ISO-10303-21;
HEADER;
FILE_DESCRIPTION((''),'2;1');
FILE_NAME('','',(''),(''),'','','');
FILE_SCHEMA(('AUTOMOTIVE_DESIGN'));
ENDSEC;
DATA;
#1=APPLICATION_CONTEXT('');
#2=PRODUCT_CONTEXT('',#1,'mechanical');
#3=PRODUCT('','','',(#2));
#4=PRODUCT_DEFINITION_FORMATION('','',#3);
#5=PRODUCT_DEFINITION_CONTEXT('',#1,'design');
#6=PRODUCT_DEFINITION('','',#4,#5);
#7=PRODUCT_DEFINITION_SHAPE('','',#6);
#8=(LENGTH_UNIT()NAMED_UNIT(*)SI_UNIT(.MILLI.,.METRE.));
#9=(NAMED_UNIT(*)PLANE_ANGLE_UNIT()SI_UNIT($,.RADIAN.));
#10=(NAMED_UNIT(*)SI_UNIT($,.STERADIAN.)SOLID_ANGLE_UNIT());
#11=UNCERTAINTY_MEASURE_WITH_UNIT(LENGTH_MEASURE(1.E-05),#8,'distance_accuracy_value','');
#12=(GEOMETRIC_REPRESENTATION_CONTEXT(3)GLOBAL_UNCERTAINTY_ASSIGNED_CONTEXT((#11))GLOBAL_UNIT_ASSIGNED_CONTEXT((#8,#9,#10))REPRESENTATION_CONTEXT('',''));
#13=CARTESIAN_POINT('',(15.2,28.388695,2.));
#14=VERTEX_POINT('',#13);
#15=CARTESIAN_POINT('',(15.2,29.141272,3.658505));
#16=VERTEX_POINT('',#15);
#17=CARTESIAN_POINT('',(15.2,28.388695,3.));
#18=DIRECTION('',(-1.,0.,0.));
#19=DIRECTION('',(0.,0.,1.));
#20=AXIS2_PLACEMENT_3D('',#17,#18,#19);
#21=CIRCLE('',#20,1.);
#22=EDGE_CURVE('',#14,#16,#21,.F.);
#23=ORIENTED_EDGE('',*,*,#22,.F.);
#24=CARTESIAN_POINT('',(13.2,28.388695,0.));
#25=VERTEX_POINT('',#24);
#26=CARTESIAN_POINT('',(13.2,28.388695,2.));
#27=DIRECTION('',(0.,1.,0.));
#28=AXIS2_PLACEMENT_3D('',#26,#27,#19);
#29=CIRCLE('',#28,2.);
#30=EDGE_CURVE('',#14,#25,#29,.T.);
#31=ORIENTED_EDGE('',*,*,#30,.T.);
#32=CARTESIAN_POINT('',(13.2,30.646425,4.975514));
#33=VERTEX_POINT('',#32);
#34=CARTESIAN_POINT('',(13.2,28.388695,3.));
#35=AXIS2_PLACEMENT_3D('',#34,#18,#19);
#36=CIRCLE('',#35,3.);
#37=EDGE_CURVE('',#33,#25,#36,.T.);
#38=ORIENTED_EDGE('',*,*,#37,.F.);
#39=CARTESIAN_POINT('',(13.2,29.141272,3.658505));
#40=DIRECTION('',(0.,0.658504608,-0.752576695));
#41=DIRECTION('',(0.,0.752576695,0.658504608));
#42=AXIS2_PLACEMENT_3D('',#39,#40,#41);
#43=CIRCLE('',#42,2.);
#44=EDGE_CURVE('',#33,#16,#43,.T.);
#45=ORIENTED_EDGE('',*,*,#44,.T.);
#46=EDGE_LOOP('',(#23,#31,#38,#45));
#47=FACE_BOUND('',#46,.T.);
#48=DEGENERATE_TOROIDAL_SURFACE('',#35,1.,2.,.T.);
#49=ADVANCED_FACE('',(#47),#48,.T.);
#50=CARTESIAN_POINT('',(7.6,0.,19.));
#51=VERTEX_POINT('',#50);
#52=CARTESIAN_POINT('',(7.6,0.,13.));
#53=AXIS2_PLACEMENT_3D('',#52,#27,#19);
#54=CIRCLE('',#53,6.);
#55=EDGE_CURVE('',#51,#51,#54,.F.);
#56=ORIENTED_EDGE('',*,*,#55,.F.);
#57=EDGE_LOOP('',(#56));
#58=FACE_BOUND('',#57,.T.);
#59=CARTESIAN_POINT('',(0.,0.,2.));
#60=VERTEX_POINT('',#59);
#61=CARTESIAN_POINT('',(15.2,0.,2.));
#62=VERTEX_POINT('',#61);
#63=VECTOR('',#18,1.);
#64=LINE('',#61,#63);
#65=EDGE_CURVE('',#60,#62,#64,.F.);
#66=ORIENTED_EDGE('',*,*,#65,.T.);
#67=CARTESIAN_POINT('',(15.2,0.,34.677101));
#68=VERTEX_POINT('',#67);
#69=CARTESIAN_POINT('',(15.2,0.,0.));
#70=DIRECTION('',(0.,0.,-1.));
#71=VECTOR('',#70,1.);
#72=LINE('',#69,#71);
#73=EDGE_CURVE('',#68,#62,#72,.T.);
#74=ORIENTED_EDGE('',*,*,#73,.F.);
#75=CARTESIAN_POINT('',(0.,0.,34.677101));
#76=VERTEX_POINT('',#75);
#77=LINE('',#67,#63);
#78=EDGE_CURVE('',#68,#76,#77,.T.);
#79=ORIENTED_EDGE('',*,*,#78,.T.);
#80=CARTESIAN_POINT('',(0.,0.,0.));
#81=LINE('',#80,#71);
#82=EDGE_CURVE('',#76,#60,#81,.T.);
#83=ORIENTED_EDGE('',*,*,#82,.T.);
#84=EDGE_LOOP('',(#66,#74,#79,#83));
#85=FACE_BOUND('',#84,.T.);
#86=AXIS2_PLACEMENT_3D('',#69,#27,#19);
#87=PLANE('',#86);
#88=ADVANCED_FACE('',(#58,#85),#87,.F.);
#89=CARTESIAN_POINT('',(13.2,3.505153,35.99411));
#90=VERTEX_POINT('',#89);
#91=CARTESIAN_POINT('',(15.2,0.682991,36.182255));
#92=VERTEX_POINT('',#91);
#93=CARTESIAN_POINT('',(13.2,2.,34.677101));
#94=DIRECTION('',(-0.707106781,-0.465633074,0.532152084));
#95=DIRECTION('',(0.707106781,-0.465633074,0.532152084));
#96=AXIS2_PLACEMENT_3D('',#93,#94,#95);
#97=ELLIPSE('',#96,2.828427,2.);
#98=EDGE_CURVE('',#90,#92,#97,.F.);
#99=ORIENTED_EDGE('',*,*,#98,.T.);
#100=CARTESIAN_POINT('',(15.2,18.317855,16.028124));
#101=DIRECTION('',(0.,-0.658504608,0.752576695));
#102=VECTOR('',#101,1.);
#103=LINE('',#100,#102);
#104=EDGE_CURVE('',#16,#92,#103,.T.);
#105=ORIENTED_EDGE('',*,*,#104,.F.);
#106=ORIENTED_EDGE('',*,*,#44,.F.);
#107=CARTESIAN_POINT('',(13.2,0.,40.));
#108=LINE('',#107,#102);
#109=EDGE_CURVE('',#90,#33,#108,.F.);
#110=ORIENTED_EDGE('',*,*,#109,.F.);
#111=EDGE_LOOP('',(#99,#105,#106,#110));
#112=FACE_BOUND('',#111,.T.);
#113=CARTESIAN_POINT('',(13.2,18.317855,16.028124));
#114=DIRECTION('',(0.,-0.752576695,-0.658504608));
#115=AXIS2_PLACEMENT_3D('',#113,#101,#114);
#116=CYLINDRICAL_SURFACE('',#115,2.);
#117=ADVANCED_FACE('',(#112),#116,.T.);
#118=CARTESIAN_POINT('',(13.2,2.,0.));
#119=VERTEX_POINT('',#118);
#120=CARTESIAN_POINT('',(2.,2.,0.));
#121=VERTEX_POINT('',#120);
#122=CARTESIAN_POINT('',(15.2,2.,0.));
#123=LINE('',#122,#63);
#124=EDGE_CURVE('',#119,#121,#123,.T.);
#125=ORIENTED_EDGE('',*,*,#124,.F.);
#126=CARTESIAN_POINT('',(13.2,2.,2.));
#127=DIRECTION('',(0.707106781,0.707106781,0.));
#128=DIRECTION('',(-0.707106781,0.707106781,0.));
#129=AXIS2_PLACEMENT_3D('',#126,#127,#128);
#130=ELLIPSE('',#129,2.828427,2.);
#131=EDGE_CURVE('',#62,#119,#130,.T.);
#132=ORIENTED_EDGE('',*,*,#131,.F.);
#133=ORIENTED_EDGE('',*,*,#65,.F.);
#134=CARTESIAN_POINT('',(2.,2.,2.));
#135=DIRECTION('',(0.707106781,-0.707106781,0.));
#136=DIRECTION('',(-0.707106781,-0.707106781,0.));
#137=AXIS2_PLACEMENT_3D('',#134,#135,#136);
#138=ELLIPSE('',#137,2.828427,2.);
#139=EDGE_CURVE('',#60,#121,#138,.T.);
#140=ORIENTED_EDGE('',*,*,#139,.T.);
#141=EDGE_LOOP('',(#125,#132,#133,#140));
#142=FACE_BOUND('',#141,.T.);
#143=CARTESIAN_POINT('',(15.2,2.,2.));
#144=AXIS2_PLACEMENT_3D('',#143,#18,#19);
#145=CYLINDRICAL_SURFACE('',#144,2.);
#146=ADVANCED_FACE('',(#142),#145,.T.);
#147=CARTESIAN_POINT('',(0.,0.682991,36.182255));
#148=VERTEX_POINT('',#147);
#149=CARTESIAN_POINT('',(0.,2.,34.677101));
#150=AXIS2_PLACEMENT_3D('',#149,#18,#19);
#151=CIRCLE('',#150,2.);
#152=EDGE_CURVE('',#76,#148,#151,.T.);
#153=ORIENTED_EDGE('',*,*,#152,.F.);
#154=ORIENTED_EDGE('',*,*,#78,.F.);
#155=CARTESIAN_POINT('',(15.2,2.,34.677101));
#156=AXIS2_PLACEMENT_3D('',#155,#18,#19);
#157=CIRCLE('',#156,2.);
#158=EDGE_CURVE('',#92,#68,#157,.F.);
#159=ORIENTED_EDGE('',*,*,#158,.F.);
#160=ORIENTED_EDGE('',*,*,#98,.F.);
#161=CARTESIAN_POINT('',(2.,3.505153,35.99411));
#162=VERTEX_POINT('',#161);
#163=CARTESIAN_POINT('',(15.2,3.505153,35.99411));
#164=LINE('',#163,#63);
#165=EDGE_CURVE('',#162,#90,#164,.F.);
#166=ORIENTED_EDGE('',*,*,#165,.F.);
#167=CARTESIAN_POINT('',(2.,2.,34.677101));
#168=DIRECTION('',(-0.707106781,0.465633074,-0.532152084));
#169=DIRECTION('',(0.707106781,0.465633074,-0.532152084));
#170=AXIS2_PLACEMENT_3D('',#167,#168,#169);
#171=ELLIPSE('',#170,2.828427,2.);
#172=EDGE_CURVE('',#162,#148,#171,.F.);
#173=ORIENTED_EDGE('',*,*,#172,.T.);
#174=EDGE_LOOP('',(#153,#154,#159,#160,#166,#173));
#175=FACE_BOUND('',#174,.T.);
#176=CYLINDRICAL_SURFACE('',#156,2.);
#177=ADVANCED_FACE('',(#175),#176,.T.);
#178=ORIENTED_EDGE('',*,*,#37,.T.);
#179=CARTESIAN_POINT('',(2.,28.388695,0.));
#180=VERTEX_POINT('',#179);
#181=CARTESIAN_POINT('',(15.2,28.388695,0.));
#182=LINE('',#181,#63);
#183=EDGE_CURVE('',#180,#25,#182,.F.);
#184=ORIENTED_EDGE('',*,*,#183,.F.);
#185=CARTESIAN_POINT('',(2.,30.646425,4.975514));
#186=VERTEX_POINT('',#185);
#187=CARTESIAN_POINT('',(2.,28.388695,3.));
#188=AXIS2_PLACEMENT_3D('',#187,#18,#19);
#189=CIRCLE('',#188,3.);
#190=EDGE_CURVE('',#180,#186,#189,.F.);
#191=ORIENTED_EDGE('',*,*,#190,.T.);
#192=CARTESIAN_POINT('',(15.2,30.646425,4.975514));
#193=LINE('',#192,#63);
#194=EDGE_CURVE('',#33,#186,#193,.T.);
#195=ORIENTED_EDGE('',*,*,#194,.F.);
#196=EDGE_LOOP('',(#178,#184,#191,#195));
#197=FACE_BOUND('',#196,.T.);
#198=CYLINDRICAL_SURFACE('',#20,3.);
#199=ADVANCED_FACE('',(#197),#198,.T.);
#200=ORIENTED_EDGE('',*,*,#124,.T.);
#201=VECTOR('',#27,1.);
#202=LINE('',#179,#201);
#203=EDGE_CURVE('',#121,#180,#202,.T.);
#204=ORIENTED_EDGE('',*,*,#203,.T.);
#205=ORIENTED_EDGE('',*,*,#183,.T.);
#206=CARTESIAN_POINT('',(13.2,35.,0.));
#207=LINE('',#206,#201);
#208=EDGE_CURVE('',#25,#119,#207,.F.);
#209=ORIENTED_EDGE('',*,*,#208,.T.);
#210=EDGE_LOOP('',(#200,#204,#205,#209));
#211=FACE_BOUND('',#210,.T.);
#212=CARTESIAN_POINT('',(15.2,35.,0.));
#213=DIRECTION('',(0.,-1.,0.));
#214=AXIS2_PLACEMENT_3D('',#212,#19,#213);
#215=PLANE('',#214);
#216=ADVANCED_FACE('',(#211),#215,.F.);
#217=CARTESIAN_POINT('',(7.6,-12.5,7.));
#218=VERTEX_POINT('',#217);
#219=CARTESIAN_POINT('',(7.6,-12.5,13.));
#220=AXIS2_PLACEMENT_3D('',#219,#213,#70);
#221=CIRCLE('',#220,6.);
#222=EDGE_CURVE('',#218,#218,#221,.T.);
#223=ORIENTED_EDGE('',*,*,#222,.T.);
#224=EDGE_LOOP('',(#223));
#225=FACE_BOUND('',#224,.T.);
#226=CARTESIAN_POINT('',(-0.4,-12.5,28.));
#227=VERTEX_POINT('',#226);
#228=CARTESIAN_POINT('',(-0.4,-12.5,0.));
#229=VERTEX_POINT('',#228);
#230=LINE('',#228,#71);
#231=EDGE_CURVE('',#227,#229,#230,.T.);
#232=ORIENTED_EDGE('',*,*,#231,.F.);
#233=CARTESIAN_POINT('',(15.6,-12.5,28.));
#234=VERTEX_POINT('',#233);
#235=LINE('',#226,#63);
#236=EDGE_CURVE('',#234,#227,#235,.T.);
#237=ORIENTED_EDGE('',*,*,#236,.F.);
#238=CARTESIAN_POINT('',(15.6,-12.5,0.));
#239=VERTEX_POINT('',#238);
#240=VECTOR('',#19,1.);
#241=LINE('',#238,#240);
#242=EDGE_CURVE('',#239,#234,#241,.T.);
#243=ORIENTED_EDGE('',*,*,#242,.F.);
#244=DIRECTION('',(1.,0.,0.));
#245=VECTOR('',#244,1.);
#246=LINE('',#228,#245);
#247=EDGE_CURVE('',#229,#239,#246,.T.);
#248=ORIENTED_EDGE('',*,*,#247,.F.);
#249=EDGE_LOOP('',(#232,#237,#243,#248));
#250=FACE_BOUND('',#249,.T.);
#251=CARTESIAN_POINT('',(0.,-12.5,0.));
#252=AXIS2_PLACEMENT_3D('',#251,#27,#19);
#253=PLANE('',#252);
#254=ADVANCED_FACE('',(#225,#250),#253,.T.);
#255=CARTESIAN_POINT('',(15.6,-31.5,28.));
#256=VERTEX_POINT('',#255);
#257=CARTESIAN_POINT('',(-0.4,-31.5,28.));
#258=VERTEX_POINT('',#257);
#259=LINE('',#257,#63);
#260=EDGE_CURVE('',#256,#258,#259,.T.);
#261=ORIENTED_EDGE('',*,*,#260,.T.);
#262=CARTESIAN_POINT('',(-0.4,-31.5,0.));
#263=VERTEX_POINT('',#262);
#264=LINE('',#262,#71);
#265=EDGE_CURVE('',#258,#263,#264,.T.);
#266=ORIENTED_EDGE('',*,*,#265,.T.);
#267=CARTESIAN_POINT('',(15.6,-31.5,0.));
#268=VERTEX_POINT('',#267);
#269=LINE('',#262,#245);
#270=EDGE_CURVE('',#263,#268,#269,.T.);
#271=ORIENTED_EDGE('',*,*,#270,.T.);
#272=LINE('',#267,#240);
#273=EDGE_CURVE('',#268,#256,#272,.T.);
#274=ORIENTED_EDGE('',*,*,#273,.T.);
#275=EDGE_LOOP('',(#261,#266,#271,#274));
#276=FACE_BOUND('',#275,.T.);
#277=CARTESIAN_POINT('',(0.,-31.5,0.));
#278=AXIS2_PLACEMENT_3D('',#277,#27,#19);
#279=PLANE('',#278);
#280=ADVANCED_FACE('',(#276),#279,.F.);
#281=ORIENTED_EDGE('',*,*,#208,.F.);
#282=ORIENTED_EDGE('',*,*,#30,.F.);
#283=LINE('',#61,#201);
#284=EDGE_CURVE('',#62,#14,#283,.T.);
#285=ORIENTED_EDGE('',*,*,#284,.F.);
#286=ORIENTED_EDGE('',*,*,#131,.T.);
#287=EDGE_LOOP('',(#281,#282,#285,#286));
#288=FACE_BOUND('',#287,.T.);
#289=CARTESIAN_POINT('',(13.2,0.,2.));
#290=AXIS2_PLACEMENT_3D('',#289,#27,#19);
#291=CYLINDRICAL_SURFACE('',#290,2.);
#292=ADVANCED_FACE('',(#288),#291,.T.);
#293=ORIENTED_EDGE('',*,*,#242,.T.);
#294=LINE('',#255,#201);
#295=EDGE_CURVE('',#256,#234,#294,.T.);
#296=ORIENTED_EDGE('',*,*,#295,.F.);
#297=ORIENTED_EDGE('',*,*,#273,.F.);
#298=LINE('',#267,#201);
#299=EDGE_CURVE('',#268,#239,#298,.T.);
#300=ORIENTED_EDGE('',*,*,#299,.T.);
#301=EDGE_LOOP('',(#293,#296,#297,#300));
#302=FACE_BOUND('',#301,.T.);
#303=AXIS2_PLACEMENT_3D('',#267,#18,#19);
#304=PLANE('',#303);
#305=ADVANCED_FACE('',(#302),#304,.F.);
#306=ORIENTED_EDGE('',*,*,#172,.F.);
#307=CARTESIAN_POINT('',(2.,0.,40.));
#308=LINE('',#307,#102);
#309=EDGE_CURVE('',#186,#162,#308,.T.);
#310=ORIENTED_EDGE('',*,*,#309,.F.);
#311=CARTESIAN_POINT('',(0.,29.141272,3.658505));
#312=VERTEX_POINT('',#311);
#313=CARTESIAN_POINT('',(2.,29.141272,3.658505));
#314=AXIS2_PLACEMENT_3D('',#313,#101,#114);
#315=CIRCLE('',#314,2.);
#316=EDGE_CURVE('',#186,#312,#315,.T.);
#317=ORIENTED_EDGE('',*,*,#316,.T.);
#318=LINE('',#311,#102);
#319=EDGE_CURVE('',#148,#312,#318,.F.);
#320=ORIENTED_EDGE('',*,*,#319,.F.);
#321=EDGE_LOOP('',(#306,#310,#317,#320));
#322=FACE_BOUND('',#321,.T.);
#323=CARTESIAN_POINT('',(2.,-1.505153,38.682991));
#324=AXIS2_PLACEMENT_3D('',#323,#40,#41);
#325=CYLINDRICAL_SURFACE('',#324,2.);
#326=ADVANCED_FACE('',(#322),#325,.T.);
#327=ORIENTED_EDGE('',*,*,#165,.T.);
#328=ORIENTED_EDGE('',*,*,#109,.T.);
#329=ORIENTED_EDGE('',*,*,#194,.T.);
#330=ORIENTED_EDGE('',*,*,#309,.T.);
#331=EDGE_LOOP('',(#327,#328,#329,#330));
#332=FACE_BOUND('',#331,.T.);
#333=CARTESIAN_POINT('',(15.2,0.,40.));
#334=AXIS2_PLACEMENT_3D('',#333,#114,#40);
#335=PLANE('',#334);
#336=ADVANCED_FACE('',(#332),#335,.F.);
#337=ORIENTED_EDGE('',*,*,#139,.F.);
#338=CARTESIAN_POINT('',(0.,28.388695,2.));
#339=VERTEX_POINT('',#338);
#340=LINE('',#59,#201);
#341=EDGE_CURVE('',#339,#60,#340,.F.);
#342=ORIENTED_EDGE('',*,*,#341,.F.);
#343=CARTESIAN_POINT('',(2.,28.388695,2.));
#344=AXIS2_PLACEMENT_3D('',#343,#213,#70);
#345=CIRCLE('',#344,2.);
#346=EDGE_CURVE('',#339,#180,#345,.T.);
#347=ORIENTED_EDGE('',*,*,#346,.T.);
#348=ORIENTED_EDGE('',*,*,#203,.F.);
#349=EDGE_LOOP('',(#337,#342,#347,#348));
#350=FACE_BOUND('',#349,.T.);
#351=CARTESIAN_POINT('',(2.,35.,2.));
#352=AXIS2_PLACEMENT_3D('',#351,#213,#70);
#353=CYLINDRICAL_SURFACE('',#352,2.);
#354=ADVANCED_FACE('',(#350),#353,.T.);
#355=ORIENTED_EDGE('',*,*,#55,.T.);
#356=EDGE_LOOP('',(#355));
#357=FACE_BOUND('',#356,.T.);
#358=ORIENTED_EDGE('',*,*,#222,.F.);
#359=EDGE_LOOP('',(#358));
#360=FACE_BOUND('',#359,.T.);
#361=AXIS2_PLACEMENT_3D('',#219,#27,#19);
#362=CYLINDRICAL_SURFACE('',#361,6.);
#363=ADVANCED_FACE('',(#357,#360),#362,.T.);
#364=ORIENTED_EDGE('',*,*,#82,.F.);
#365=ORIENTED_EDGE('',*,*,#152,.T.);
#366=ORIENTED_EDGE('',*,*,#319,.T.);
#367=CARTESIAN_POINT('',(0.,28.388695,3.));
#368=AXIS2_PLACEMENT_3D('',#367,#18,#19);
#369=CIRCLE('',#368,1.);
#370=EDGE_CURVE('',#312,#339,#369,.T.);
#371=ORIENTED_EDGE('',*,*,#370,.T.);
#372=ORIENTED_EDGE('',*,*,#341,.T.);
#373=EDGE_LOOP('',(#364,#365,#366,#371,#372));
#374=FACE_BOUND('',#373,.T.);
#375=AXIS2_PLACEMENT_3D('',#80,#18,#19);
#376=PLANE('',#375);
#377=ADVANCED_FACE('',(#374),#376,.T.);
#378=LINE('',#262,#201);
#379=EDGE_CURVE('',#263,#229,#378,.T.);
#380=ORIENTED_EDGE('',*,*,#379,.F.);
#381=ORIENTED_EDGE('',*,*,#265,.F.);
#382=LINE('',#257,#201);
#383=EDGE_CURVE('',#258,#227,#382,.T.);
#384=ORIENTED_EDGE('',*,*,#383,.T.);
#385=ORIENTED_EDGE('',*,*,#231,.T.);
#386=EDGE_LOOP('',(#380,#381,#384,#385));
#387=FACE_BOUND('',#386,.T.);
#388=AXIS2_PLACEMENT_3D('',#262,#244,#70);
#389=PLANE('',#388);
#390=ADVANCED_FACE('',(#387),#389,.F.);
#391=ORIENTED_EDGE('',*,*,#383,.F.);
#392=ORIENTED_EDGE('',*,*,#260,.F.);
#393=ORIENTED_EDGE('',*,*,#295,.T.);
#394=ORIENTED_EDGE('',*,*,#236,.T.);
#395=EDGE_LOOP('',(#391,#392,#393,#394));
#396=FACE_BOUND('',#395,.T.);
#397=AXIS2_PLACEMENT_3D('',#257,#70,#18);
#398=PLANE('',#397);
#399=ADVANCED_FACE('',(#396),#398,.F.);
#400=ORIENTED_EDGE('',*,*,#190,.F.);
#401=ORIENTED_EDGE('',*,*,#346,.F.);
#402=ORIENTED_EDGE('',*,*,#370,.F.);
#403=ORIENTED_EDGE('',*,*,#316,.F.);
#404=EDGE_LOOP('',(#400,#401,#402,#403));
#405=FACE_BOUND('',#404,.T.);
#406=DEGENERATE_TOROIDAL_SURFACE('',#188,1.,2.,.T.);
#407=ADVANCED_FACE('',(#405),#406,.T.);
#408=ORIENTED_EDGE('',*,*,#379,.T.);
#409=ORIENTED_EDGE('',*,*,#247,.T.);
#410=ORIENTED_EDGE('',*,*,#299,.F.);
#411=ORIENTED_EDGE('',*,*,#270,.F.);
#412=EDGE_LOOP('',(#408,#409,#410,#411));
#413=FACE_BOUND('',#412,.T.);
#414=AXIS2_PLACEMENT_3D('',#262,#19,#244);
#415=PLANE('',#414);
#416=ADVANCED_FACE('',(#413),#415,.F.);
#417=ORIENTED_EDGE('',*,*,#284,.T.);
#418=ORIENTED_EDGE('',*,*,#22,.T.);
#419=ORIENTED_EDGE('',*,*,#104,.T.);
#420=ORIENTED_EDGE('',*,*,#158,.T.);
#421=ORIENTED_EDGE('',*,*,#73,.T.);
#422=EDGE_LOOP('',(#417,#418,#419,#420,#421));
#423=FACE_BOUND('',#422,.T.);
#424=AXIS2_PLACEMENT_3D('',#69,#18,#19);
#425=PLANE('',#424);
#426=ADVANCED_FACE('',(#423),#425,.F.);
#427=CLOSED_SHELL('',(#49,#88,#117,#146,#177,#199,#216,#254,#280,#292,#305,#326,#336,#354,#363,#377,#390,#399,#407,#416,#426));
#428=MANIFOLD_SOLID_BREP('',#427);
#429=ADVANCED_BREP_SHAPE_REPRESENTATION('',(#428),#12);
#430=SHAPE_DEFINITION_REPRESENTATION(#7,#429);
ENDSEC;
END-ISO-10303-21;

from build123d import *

# Parameters (mm, degrees)
BOSS_EXTRUDE1_DEPTH = 15.2
SKETCH2_R           = 6
BOSS_EXTRUDE2_DEPTH = 12.5
SKETCH3_W           = 16
SKETCH3_H           = 28
BOSS_EXTRUDE3_DEPTH = 19
FILLET1_R           = 3
FILLET2_R           = 2


with BuildPart() as part:
    # Sketch1 → Boss-Extrude1 (new body)
    with BuildSketch(Plane(origin=(0, 0, 0), x_dir=(0, 0, -1), z_dir=(1, 0, 0))):
        Polygon((0, 0), (-40, 0), (0, 35), align=None)
    extrude(amount=BOSS_EXTRUDE1_DEPTH)

    # Sketch2 → Boss-Extrude2 (add)
    with BuildSketch(Plane.XZ):
        with Locations((7.6, 13)):
            Circle(SKETCH2_R)
    extrude(amount=BOSS_EXTRUDE2_DEPTH)

    # Sketch3 → Boss-Extrude3 (add)
    with BuildSketch(Plane.XZ.offset(12.5)):
        with Locations((7.6, 14)):
            Rectangle(SKETCH3_W, SKETCH3_H)
    extrude(amount=BOSS_EXTRUDE3_DEPTH)

    # Fillet1
    fillet1_edges = [part.edges().sort_by_distance(p)[0] for p in [
        (7.6, 35, 0),
    ]]
    fillet(fillet1_edges, radius=FILLET1_R)

    # Fillet2
    fillet2_edges = [part.edges().sort_by_distance(p)[0] for p in [
        (0, 15.323212702, 22.487756912),
        (15.2, 15.323212702, 22.487756912),
        (0, 31.120594062, 1.760351153),
        (15.2, 31.120594062, 1.760351153),
        (15.2, 14.19434766, 0),
        (0, 14.19434766, 0),
        (7.6, 0, 0),
        (7.6, 0, 40),
    ]]
    fillet(fillet2_edges, radius=FILLET2_R)


solid = part.part
